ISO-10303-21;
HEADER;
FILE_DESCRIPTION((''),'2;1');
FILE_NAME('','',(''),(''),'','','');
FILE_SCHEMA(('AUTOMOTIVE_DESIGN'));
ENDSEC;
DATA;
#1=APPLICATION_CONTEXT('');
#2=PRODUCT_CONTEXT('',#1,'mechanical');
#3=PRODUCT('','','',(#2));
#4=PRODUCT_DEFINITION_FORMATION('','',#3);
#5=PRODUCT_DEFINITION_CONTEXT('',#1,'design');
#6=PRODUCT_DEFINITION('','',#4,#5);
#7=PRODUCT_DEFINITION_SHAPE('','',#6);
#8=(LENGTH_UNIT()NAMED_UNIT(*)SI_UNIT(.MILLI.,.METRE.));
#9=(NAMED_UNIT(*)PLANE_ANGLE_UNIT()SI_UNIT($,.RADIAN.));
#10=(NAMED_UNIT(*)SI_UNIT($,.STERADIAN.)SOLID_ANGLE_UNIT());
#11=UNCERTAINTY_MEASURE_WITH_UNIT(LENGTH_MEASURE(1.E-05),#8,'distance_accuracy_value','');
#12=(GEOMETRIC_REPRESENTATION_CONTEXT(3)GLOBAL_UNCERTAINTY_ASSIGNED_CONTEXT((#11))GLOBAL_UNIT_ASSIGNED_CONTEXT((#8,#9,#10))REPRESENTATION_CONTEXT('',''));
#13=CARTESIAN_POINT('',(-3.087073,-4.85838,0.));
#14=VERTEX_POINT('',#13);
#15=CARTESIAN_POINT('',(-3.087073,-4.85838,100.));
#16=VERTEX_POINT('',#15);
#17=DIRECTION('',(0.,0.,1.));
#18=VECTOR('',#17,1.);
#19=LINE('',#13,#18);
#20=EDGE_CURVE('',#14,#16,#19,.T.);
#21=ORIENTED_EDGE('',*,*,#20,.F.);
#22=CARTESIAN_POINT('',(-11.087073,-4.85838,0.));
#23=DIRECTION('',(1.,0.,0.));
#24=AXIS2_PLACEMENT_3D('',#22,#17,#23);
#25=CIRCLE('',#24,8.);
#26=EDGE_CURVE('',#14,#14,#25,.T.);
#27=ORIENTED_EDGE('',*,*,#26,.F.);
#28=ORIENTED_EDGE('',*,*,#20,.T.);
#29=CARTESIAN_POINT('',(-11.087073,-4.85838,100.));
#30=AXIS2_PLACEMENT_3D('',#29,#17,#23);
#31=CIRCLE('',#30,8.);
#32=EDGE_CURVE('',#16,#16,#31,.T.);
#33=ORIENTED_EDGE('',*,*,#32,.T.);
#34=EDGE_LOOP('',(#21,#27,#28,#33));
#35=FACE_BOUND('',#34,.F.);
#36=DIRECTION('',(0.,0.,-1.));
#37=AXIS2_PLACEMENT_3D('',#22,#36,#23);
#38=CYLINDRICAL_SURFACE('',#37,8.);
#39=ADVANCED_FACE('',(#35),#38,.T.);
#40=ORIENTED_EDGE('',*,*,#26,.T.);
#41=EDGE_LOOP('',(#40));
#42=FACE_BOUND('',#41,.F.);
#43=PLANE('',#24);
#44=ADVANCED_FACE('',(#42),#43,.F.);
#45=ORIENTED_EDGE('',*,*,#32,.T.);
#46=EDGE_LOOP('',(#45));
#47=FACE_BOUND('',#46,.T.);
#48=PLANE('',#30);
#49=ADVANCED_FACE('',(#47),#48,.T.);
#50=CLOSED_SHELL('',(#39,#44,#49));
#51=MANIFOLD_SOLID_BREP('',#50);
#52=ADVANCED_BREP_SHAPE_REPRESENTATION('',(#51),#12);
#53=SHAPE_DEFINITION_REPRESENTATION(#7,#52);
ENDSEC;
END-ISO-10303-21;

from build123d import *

# Parameters (mm, degrees)
SKETCH_1_R      = 8
EXTRUDE_1_DEPTH = 100


with BuildPart() as part:
    # 草图1 → 凸台-拉伸1 (new body)
    with BuildSketch(Plane.XY):
        with Locations((-11.087072749, -4.858380193)):
            Circle(SKETCH_1_R)
    extrude(amount=EXTRUDE_1_DEPTH)


solid = part.part
